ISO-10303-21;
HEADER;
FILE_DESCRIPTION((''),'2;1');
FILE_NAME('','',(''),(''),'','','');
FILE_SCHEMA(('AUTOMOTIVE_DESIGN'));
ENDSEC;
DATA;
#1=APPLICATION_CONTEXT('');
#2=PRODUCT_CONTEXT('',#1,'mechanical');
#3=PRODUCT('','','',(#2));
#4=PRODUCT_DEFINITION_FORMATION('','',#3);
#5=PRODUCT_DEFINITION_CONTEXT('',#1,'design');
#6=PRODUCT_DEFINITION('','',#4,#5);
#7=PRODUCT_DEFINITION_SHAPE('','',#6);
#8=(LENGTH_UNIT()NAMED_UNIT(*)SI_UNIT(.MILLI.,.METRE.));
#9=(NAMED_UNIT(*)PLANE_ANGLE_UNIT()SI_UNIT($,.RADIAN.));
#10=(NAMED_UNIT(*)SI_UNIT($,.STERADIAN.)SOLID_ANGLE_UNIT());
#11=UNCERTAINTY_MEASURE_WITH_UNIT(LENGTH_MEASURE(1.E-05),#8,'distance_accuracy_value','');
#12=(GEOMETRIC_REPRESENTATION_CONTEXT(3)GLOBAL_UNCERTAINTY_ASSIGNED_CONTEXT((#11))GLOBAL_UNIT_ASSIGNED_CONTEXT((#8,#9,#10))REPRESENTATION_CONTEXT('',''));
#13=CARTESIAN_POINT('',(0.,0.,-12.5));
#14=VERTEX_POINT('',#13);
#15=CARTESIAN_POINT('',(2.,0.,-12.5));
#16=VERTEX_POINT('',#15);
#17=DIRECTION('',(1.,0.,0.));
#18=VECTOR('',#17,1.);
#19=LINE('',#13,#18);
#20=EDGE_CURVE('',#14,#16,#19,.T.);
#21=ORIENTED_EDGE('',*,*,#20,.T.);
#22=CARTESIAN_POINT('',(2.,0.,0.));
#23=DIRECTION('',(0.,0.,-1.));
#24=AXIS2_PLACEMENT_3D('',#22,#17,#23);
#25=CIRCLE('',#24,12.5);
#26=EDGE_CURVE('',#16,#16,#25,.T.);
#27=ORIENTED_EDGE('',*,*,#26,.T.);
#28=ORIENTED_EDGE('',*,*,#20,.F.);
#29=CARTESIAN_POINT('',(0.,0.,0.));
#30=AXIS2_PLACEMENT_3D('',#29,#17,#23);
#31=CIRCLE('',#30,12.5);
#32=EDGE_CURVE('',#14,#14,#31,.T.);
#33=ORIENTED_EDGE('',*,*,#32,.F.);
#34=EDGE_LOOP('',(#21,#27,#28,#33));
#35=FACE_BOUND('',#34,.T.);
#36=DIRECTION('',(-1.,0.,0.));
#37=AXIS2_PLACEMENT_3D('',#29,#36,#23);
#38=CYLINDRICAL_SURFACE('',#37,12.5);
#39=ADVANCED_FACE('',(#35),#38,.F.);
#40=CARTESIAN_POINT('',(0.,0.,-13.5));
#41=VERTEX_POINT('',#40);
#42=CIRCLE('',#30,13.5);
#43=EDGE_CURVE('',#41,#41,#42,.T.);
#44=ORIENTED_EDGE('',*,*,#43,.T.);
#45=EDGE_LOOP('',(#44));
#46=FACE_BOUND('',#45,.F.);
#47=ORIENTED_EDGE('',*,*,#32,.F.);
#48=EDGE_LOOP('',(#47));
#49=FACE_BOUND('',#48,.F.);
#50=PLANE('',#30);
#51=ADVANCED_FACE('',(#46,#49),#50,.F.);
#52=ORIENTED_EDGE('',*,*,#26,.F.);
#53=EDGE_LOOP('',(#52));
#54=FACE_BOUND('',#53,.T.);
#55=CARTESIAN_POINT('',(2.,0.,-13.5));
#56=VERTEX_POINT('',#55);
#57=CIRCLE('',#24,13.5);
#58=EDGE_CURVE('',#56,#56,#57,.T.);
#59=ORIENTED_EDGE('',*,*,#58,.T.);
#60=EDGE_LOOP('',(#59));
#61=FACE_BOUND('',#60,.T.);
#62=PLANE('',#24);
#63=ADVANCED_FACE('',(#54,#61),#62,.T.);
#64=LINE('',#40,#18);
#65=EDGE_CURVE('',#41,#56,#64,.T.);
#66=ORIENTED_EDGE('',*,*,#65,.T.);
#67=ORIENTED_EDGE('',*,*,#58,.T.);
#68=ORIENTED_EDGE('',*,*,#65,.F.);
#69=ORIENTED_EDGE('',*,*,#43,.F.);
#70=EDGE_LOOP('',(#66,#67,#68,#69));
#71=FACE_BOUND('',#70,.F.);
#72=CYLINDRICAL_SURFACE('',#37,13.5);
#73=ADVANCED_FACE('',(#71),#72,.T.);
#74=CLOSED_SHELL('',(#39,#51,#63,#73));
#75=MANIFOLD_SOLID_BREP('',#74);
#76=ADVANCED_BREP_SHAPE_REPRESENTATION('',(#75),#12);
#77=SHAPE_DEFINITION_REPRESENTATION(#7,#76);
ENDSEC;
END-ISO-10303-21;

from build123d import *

# Parameters (mm, degrees)
SKETCH1_R           = 13.5
SKETCH1_R_2         = 12.5
BOSS_EXTRUDE1_DEPTH = 2


with BuildPart() as part:
    # Sketch1 → Boss-Extrude1 (new body)
    with BuildSketch(Plane(origin=(0, 0, 0), x_dir=(0, 0, -1), z_dir=(1, 0, 0))):
        Circle(SKETCH1_R)
        Circle(SKETCH1_R_2, mode=Mode.SUBTRACT)
    extrude(amount=BOSS_EXTRUDE1_DEPTH)


solid = part.part
